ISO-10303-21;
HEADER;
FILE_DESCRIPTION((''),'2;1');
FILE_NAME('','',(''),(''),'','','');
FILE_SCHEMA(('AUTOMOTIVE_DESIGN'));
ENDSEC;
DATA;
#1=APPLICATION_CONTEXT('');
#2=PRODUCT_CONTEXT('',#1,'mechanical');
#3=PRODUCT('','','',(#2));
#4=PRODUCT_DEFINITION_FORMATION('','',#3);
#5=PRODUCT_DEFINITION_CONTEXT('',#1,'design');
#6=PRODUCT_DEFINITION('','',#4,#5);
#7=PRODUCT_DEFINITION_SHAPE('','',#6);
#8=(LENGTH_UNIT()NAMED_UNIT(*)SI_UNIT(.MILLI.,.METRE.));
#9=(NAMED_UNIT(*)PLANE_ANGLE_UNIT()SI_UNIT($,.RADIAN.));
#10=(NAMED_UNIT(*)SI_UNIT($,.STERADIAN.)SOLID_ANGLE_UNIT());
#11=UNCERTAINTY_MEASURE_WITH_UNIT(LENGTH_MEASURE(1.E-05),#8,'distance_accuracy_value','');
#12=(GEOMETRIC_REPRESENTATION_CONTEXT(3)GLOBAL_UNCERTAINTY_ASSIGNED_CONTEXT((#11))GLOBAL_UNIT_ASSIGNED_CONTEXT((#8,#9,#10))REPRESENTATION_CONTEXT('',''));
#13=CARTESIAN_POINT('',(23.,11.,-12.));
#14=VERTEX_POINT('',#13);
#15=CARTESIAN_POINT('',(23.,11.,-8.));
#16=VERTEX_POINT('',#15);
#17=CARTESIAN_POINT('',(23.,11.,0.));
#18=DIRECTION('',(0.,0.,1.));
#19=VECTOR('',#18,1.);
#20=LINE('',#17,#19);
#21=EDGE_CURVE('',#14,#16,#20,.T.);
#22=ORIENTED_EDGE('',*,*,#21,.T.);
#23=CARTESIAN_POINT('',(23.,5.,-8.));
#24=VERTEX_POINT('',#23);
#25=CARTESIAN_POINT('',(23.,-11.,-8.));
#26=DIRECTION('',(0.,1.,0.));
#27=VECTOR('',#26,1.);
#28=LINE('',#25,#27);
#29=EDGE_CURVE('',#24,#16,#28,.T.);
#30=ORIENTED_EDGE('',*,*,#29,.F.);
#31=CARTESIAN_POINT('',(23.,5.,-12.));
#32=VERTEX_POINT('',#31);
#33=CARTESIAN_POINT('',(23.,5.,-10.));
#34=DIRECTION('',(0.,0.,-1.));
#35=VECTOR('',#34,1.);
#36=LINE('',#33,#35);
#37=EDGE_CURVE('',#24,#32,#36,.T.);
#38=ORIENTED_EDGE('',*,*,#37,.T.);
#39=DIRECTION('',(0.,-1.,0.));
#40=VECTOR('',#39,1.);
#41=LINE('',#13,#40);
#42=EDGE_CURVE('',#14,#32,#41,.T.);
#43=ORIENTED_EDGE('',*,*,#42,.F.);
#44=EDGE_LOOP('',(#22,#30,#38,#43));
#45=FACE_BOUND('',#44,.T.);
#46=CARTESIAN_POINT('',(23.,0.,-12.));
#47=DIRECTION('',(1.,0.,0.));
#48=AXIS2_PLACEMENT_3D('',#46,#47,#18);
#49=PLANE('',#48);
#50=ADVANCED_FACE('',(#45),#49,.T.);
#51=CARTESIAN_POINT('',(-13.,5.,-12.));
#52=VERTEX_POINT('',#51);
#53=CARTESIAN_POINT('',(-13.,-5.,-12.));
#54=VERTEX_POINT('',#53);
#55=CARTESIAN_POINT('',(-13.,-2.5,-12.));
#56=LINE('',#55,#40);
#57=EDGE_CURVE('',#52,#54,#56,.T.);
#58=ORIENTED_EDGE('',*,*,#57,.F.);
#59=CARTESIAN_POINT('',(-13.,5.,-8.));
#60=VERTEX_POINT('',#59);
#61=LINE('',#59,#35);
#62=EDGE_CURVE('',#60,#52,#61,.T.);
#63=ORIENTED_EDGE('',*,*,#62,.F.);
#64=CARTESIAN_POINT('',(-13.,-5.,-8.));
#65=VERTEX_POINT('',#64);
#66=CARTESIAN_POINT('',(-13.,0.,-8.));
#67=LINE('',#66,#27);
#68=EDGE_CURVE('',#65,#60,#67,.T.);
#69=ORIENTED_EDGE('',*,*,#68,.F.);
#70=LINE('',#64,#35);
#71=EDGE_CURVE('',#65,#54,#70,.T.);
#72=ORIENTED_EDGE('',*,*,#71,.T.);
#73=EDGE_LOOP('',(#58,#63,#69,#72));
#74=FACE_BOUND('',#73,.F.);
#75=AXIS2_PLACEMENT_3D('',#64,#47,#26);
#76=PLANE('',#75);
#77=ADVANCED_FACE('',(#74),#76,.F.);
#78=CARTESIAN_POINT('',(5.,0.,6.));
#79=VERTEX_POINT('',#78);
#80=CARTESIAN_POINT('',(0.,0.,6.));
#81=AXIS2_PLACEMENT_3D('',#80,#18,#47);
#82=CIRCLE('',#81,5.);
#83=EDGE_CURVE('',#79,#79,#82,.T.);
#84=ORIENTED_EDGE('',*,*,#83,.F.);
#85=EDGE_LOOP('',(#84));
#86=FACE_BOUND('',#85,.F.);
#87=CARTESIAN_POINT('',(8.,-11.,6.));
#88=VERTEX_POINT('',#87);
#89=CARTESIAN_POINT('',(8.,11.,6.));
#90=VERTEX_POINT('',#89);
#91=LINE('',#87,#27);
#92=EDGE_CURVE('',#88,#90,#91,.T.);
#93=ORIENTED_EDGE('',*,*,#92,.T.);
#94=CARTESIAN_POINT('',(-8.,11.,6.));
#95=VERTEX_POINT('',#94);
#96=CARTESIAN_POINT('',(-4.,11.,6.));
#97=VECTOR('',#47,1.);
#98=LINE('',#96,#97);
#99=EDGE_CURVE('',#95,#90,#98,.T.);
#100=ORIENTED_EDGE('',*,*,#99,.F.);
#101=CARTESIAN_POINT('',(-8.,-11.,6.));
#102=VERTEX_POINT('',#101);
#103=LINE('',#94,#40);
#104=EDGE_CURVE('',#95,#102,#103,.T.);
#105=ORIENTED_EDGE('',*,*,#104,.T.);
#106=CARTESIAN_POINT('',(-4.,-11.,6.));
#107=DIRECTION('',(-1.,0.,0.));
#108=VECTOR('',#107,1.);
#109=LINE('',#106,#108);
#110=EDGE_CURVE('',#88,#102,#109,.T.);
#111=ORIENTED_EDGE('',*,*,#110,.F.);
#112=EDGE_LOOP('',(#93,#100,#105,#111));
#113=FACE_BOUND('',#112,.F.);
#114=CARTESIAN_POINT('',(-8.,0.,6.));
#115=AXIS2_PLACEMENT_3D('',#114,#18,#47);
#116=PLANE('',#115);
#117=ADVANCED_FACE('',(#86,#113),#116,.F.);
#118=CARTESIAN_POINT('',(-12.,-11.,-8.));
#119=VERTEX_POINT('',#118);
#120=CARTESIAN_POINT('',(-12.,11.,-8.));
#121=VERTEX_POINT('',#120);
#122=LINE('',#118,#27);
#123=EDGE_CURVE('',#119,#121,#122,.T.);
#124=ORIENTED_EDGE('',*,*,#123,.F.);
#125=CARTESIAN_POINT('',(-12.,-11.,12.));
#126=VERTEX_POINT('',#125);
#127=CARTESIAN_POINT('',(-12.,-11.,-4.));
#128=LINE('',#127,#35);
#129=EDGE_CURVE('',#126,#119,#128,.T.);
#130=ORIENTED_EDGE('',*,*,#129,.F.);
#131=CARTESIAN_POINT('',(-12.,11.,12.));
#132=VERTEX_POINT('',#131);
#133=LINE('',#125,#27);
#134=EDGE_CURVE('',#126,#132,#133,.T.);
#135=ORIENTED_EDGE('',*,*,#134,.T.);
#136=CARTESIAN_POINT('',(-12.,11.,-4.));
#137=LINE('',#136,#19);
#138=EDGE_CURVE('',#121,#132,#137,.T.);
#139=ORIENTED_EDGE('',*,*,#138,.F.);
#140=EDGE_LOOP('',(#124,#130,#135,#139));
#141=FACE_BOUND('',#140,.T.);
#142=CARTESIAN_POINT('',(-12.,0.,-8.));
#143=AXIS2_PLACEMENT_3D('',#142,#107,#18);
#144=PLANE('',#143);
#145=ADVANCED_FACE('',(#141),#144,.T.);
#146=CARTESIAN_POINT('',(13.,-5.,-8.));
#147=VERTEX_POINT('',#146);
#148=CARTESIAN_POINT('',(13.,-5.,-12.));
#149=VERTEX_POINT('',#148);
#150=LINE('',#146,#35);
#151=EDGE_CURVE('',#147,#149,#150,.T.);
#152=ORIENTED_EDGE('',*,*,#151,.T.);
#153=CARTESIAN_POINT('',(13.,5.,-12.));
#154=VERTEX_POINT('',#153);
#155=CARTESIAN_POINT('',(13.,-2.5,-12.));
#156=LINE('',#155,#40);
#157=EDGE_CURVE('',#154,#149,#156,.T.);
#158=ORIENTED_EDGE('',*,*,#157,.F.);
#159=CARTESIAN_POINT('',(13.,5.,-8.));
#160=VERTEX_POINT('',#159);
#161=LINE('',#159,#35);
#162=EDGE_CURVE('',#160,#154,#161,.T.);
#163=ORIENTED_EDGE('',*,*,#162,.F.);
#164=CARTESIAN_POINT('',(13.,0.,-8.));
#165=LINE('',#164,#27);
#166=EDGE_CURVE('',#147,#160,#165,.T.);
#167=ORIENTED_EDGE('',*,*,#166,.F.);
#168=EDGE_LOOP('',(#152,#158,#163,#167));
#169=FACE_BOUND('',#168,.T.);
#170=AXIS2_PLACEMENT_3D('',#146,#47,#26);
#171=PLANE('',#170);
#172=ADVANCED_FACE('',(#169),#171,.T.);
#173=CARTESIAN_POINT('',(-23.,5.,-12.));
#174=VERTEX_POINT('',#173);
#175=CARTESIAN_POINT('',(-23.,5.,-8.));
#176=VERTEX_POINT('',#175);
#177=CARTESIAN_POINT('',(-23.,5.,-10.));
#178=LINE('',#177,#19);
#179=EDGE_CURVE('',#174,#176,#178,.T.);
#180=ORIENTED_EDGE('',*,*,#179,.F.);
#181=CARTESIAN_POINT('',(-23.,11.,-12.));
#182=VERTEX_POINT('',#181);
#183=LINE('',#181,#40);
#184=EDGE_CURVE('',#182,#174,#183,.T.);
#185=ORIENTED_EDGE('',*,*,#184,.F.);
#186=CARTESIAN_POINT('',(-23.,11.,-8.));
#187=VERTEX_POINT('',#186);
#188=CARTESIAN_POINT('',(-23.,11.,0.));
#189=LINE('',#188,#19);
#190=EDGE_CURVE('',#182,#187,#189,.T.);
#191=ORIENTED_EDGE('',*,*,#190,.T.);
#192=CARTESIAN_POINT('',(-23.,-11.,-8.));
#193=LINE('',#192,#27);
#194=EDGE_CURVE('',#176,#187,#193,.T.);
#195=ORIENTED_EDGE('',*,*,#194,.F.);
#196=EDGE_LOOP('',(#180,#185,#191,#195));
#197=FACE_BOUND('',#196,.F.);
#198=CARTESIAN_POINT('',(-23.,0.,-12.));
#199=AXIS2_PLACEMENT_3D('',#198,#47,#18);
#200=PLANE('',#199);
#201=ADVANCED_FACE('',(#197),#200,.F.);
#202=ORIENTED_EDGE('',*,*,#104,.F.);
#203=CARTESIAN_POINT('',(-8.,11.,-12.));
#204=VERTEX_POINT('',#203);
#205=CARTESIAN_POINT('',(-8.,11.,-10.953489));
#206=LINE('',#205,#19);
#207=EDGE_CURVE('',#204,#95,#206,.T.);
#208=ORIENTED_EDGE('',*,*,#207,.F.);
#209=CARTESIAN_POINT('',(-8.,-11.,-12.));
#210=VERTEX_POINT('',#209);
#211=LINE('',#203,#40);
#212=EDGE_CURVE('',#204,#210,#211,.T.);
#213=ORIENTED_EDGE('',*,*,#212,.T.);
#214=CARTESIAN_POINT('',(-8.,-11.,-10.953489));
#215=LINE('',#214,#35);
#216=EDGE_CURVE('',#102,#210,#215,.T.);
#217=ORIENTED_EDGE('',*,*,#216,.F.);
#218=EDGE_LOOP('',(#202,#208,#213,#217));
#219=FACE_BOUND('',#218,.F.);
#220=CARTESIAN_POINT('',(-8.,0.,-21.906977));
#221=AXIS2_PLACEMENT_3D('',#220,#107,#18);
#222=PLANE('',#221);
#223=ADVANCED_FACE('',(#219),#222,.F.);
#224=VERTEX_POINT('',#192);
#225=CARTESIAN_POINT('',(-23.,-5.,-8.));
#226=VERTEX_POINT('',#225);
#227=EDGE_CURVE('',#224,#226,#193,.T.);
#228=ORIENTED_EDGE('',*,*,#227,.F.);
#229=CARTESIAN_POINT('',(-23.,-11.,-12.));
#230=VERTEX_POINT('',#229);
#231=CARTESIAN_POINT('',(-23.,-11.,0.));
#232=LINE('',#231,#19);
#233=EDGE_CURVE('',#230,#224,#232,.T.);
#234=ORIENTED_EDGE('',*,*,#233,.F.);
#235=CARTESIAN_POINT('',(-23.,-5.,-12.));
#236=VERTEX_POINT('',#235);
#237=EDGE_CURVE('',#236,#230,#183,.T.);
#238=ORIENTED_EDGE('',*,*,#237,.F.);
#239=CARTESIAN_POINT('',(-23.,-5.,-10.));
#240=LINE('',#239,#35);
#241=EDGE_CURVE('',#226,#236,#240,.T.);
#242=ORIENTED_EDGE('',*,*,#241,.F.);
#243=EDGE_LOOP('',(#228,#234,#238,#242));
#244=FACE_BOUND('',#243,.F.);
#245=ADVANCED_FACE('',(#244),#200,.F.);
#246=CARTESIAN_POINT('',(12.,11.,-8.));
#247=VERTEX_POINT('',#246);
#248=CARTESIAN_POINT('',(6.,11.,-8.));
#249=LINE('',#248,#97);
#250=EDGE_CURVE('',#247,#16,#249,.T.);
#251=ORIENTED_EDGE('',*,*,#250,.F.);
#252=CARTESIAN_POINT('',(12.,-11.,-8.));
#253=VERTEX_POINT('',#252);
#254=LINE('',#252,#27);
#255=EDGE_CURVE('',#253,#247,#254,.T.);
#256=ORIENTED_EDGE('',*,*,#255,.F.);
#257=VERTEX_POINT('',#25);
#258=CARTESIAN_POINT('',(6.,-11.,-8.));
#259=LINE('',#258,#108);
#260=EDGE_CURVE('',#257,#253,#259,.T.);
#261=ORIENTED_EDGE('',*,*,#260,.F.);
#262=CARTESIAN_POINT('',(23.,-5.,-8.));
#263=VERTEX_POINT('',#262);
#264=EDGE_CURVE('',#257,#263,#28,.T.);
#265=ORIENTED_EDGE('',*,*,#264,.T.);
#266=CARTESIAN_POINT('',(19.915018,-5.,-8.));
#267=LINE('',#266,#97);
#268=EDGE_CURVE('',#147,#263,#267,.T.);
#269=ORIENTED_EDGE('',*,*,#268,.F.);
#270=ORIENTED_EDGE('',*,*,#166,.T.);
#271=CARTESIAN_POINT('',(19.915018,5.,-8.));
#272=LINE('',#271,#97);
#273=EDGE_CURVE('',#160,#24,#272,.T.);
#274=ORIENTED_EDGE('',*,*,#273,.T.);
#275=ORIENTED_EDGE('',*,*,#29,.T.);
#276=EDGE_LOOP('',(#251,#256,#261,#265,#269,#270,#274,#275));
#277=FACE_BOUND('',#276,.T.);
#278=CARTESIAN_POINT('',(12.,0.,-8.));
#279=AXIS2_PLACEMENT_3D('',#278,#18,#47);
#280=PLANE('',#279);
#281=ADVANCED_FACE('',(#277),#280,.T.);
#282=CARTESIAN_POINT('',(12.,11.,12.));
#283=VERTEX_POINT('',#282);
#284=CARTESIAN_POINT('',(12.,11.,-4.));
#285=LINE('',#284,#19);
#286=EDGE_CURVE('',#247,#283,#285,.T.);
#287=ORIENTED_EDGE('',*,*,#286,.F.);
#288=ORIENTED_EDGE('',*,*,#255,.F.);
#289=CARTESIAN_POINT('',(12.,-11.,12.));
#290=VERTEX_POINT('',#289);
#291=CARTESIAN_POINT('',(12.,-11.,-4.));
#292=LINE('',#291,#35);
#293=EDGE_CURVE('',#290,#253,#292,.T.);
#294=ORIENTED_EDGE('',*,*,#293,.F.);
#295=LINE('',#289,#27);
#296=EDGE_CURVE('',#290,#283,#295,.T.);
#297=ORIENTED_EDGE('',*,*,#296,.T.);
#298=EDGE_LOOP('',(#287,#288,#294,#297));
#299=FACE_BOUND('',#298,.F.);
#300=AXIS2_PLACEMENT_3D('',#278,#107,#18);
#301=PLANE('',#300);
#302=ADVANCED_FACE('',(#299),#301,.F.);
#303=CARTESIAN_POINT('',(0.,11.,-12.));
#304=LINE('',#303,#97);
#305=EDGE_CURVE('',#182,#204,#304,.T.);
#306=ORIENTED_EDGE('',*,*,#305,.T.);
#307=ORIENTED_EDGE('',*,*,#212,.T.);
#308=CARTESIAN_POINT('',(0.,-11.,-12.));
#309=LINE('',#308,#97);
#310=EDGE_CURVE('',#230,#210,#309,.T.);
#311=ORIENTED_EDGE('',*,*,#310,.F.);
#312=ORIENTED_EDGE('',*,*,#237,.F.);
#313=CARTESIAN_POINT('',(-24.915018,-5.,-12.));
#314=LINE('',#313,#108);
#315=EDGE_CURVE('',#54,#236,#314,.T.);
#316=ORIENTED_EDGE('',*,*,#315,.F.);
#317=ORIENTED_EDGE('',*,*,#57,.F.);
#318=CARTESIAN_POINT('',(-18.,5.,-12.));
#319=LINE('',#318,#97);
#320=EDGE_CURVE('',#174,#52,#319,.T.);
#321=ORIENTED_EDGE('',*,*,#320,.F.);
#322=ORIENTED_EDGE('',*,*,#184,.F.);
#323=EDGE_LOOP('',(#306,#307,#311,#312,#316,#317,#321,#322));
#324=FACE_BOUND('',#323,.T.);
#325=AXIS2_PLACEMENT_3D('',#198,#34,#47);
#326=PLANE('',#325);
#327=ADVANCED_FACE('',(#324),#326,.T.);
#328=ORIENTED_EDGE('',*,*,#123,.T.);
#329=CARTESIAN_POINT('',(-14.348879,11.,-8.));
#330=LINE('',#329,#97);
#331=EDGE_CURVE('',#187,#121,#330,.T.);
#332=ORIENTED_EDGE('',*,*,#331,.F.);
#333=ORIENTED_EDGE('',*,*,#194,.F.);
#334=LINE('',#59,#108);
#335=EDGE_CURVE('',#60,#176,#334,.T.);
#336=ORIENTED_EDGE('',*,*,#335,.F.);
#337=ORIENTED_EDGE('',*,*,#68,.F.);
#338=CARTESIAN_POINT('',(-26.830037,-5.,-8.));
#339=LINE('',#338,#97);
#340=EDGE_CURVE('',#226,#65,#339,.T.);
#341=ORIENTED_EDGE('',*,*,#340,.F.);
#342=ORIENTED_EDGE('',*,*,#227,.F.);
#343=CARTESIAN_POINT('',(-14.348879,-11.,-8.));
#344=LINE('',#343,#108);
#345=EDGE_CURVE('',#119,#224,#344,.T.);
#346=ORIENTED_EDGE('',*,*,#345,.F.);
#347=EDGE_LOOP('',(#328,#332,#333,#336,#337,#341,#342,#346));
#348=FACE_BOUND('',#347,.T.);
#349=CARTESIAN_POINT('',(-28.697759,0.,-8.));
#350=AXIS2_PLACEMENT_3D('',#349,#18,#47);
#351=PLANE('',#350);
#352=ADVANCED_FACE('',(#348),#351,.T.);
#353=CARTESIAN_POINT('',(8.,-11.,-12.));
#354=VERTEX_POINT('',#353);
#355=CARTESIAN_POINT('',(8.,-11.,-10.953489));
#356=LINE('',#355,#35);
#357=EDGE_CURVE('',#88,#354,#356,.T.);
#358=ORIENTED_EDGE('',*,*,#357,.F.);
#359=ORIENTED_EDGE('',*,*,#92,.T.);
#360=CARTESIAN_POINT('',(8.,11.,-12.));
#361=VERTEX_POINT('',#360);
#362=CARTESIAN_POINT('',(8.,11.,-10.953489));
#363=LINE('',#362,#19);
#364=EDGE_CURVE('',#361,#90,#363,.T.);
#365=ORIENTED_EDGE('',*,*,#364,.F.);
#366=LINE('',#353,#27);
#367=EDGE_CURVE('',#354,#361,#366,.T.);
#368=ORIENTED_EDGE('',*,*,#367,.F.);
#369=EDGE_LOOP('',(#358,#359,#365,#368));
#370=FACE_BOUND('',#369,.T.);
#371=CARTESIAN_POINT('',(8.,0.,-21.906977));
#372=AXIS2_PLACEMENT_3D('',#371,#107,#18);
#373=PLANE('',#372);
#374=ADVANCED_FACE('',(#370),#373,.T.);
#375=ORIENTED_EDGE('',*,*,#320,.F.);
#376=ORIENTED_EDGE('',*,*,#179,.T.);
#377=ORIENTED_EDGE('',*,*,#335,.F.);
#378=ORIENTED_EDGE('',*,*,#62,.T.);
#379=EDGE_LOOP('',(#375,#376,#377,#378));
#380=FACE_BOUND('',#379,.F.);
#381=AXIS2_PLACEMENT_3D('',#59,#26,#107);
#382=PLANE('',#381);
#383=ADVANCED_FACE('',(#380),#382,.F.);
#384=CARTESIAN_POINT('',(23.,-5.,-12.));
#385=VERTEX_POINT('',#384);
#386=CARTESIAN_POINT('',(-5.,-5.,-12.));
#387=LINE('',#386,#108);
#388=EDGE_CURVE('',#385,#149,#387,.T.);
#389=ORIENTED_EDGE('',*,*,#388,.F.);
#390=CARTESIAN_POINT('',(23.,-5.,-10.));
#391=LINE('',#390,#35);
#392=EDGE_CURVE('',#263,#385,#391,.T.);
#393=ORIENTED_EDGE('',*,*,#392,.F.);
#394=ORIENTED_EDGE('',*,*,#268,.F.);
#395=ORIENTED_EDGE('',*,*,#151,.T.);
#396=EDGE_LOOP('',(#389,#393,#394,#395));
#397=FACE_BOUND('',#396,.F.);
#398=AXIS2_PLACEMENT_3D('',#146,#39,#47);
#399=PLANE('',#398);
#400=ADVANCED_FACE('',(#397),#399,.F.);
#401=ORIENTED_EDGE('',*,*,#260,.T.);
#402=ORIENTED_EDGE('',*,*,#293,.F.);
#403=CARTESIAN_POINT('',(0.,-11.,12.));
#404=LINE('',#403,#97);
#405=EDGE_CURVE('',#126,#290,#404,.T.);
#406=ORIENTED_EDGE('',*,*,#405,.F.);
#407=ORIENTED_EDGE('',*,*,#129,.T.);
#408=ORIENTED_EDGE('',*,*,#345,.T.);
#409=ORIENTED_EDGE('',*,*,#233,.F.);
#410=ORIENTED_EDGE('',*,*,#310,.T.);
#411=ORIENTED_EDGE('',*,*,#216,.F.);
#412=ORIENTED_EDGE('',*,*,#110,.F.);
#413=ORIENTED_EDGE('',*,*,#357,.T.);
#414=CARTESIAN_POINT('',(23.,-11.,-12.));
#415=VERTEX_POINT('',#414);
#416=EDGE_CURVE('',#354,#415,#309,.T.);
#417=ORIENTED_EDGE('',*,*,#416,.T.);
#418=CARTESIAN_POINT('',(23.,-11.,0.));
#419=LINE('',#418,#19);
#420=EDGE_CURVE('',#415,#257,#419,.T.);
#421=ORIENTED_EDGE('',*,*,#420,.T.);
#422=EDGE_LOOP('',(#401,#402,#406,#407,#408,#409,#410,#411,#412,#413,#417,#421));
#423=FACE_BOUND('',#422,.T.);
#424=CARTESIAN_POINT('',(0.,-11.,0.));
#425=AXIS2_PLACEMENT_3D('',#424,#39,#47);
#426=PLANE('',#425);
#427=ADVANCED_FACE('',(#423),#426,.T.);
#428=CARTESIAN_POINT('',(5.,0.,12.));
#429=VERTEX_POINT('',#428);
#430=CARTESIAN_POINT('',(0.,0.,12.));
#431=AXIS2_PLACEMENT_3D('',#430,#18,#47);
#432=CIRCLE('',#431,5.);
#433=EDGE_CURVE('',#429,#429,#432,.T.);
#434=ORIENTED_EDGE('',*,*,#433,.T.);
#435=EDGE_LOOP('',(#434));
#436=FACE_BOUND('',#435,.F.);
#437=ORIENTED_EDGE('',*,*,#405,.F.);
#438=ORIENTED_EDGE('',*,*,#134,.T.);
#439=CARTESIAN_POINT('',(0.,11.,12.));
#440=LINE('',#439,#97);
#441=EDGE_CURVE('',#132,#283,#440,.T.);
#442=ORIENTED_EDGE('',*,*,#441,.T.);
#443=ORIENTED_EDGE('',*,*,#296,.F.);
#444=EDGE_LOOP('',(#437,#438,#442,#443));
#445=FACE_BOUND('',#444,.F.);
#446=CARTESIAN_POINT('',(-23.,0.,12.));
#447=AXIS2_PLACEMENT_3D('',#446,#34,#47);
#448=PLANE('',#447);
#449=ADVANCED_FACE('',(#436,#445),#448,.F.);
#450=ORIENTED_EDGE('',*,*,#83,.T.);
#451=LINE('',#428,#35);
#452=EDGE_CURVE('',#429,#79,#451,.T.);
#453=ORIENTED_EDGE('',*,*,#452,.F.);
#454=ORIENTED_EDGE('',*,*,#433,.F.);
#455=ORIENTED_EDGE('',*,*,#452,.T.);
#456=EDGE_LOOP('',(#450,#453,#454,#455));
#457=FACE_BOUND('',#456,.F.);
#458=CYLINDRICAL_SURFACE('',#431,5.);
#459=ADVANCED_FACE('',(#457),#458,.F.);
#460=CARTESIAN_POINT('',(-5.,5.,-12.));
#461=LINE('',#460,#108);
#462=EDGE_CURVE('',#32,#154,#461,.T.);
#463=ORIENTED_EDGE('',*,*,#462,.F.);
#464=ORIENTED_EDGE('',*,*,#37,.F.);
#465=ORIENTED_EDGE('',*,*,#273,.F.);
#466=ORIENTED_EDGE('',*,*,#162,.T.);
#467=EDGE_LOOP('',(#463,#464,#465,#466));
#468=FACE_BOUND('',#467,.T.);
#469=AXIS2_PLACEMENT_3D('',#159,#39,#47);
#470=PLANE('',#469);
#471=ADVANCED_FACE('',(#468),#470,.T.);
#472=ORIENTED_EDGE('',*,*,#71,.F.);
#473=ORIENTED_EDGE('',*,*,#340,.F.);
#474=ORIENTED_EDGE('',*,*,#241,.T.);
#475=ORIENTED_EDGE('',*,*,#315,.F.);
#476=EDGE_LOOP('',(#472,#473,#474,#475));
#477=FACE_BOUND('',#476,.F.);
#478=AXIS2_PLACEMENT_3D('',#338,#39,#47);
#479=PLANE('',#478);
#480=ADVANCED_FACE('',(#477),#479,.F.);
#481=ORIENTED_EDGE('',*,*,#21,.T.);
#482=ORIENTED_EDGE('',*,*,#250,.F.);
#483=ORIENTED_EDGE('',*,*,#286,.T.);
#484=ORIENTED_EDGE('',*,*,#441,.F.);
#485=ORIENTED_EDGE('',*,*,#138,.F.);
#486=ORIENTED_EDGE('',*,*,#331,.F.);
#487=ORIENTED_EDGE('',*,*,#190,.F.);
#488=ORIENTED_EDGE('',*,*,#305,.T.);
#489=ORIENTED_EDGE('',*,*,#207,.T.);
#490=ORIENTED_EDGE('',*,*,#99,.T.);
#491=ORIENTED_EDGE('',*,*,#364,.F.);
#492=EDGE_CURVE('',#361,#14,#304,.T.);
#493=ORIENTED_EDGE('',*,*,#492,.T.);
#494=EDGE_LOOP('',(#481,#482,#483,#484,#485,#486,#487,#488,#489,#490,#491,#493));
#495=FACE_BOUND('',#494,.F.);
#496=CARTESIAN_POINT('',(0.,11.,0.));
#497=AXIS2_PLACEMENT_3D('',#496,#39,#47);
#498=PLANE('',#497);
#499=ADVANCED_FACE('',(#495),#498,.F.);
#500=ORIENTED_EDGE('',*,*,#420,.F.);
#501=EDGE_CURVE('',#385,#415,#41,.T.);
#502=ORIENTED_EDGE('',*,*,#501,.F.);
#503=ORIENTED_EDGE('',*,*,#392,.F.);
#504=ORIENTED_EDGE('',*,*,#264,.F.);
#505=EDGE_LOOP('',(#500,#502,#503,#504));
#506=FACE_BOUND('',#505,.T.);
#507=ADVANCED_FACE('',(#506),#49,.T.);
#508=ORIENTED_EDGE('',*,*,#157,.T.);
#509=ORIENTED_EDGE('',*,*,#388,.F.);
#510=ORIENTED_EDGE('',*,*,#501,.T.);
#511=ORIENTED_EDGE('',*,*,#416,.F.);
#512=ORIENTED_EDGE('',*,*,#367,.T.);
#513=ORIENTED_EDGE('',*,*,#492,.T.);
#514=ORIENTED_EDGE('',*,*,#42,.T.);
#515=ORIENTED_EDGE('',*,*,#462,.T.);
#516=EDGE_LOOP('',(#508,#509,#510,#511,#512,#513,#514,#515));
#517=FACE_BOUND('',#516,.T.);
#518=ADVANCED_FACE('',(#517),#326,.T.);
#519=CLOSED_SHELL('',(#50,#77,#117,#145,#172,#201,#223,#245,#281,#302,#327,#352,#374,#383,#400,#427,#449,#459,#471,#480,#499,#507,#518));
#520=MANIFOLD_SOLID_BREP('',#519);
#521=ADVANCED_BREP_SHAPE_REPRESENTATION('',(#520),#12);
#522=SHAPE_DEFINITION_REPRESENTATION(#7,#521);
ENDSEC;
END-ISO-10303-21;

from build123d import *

# Parameters (mm, degrees)
F0_W          = 46
F0_H          = 24
F1_DEPTH      = 11
F1_DEPTH_BACK = 11
F2_W          = 16.6977588087
F2_H          = 22
F2_W_2        = 16
F2_H_2        = 27.9069770836
F3_DEPTH      = 25
F3_DEPTH_BACK = 25
F4_W          = 10
F4_H          = 10
F4_W_2        = 13.8300365831
F4_W_3        = 3.8300365831
F5_DEPTH      = 25
F6_R          = 5
F7_DEPTH      = 10


with BuildPart() as f1:
    # F0 (on Front) → F1 (new body, two sides)
    with BuildSketch(Plane.XZ) as f1_sk:
        Rectangle(F0_W, F0_H)
    extrude(amount=F1_DEPTH)
    extrude(f1_sk.sketch, amount=-F1_DEPTH_BACK)

    # F2 (on Front) → F3 (cut, two sides)
    with BuildSketch(Plane.XZ) as f3_sk:
        with Locations((-20.3488794044, 3)):
            Rectangle(F2_W, F2_H)
        with Locations((20.3488794044, 3)):
            Rectangle(F2_W, F2_H)
        with Locations((0, -7.9534885418)):
            Rectangle(F2_W_2, F2_H_2)
    extrude(amount=-F3_DEPTH, mode=Mode.SUBTRACT)
    extrude(f3_sk.sketch, amount=F3_DEPTH_BACK, mode=Mode.SUBTRACT)

    # F4 (on face) → F5 (cut)
    with BuildSketch(Plane.XY.offset(-8)):
        with Locations((-18, 0)):
            Rectangle(F4_W, F4_H)
        with Locations((19.9150182915, 0)):
            Rectangle(F4_W_2, F4_H)
        with Locations((-24.9150182915, 0)):
            Rectangle(F4_W_3, F4_H)
    extrude(amount=-F5_DEPTH, mode=Mode.SUBTRACT)

    # F6 (on face) → F7 (cut)
    with BuildSketch(Plane.XY.offset(12)):
        Circle(F6_R)
    extrude(amount=-F7_DEPTH, mode=Mode.SUBTRACT)


solid = f1.part
